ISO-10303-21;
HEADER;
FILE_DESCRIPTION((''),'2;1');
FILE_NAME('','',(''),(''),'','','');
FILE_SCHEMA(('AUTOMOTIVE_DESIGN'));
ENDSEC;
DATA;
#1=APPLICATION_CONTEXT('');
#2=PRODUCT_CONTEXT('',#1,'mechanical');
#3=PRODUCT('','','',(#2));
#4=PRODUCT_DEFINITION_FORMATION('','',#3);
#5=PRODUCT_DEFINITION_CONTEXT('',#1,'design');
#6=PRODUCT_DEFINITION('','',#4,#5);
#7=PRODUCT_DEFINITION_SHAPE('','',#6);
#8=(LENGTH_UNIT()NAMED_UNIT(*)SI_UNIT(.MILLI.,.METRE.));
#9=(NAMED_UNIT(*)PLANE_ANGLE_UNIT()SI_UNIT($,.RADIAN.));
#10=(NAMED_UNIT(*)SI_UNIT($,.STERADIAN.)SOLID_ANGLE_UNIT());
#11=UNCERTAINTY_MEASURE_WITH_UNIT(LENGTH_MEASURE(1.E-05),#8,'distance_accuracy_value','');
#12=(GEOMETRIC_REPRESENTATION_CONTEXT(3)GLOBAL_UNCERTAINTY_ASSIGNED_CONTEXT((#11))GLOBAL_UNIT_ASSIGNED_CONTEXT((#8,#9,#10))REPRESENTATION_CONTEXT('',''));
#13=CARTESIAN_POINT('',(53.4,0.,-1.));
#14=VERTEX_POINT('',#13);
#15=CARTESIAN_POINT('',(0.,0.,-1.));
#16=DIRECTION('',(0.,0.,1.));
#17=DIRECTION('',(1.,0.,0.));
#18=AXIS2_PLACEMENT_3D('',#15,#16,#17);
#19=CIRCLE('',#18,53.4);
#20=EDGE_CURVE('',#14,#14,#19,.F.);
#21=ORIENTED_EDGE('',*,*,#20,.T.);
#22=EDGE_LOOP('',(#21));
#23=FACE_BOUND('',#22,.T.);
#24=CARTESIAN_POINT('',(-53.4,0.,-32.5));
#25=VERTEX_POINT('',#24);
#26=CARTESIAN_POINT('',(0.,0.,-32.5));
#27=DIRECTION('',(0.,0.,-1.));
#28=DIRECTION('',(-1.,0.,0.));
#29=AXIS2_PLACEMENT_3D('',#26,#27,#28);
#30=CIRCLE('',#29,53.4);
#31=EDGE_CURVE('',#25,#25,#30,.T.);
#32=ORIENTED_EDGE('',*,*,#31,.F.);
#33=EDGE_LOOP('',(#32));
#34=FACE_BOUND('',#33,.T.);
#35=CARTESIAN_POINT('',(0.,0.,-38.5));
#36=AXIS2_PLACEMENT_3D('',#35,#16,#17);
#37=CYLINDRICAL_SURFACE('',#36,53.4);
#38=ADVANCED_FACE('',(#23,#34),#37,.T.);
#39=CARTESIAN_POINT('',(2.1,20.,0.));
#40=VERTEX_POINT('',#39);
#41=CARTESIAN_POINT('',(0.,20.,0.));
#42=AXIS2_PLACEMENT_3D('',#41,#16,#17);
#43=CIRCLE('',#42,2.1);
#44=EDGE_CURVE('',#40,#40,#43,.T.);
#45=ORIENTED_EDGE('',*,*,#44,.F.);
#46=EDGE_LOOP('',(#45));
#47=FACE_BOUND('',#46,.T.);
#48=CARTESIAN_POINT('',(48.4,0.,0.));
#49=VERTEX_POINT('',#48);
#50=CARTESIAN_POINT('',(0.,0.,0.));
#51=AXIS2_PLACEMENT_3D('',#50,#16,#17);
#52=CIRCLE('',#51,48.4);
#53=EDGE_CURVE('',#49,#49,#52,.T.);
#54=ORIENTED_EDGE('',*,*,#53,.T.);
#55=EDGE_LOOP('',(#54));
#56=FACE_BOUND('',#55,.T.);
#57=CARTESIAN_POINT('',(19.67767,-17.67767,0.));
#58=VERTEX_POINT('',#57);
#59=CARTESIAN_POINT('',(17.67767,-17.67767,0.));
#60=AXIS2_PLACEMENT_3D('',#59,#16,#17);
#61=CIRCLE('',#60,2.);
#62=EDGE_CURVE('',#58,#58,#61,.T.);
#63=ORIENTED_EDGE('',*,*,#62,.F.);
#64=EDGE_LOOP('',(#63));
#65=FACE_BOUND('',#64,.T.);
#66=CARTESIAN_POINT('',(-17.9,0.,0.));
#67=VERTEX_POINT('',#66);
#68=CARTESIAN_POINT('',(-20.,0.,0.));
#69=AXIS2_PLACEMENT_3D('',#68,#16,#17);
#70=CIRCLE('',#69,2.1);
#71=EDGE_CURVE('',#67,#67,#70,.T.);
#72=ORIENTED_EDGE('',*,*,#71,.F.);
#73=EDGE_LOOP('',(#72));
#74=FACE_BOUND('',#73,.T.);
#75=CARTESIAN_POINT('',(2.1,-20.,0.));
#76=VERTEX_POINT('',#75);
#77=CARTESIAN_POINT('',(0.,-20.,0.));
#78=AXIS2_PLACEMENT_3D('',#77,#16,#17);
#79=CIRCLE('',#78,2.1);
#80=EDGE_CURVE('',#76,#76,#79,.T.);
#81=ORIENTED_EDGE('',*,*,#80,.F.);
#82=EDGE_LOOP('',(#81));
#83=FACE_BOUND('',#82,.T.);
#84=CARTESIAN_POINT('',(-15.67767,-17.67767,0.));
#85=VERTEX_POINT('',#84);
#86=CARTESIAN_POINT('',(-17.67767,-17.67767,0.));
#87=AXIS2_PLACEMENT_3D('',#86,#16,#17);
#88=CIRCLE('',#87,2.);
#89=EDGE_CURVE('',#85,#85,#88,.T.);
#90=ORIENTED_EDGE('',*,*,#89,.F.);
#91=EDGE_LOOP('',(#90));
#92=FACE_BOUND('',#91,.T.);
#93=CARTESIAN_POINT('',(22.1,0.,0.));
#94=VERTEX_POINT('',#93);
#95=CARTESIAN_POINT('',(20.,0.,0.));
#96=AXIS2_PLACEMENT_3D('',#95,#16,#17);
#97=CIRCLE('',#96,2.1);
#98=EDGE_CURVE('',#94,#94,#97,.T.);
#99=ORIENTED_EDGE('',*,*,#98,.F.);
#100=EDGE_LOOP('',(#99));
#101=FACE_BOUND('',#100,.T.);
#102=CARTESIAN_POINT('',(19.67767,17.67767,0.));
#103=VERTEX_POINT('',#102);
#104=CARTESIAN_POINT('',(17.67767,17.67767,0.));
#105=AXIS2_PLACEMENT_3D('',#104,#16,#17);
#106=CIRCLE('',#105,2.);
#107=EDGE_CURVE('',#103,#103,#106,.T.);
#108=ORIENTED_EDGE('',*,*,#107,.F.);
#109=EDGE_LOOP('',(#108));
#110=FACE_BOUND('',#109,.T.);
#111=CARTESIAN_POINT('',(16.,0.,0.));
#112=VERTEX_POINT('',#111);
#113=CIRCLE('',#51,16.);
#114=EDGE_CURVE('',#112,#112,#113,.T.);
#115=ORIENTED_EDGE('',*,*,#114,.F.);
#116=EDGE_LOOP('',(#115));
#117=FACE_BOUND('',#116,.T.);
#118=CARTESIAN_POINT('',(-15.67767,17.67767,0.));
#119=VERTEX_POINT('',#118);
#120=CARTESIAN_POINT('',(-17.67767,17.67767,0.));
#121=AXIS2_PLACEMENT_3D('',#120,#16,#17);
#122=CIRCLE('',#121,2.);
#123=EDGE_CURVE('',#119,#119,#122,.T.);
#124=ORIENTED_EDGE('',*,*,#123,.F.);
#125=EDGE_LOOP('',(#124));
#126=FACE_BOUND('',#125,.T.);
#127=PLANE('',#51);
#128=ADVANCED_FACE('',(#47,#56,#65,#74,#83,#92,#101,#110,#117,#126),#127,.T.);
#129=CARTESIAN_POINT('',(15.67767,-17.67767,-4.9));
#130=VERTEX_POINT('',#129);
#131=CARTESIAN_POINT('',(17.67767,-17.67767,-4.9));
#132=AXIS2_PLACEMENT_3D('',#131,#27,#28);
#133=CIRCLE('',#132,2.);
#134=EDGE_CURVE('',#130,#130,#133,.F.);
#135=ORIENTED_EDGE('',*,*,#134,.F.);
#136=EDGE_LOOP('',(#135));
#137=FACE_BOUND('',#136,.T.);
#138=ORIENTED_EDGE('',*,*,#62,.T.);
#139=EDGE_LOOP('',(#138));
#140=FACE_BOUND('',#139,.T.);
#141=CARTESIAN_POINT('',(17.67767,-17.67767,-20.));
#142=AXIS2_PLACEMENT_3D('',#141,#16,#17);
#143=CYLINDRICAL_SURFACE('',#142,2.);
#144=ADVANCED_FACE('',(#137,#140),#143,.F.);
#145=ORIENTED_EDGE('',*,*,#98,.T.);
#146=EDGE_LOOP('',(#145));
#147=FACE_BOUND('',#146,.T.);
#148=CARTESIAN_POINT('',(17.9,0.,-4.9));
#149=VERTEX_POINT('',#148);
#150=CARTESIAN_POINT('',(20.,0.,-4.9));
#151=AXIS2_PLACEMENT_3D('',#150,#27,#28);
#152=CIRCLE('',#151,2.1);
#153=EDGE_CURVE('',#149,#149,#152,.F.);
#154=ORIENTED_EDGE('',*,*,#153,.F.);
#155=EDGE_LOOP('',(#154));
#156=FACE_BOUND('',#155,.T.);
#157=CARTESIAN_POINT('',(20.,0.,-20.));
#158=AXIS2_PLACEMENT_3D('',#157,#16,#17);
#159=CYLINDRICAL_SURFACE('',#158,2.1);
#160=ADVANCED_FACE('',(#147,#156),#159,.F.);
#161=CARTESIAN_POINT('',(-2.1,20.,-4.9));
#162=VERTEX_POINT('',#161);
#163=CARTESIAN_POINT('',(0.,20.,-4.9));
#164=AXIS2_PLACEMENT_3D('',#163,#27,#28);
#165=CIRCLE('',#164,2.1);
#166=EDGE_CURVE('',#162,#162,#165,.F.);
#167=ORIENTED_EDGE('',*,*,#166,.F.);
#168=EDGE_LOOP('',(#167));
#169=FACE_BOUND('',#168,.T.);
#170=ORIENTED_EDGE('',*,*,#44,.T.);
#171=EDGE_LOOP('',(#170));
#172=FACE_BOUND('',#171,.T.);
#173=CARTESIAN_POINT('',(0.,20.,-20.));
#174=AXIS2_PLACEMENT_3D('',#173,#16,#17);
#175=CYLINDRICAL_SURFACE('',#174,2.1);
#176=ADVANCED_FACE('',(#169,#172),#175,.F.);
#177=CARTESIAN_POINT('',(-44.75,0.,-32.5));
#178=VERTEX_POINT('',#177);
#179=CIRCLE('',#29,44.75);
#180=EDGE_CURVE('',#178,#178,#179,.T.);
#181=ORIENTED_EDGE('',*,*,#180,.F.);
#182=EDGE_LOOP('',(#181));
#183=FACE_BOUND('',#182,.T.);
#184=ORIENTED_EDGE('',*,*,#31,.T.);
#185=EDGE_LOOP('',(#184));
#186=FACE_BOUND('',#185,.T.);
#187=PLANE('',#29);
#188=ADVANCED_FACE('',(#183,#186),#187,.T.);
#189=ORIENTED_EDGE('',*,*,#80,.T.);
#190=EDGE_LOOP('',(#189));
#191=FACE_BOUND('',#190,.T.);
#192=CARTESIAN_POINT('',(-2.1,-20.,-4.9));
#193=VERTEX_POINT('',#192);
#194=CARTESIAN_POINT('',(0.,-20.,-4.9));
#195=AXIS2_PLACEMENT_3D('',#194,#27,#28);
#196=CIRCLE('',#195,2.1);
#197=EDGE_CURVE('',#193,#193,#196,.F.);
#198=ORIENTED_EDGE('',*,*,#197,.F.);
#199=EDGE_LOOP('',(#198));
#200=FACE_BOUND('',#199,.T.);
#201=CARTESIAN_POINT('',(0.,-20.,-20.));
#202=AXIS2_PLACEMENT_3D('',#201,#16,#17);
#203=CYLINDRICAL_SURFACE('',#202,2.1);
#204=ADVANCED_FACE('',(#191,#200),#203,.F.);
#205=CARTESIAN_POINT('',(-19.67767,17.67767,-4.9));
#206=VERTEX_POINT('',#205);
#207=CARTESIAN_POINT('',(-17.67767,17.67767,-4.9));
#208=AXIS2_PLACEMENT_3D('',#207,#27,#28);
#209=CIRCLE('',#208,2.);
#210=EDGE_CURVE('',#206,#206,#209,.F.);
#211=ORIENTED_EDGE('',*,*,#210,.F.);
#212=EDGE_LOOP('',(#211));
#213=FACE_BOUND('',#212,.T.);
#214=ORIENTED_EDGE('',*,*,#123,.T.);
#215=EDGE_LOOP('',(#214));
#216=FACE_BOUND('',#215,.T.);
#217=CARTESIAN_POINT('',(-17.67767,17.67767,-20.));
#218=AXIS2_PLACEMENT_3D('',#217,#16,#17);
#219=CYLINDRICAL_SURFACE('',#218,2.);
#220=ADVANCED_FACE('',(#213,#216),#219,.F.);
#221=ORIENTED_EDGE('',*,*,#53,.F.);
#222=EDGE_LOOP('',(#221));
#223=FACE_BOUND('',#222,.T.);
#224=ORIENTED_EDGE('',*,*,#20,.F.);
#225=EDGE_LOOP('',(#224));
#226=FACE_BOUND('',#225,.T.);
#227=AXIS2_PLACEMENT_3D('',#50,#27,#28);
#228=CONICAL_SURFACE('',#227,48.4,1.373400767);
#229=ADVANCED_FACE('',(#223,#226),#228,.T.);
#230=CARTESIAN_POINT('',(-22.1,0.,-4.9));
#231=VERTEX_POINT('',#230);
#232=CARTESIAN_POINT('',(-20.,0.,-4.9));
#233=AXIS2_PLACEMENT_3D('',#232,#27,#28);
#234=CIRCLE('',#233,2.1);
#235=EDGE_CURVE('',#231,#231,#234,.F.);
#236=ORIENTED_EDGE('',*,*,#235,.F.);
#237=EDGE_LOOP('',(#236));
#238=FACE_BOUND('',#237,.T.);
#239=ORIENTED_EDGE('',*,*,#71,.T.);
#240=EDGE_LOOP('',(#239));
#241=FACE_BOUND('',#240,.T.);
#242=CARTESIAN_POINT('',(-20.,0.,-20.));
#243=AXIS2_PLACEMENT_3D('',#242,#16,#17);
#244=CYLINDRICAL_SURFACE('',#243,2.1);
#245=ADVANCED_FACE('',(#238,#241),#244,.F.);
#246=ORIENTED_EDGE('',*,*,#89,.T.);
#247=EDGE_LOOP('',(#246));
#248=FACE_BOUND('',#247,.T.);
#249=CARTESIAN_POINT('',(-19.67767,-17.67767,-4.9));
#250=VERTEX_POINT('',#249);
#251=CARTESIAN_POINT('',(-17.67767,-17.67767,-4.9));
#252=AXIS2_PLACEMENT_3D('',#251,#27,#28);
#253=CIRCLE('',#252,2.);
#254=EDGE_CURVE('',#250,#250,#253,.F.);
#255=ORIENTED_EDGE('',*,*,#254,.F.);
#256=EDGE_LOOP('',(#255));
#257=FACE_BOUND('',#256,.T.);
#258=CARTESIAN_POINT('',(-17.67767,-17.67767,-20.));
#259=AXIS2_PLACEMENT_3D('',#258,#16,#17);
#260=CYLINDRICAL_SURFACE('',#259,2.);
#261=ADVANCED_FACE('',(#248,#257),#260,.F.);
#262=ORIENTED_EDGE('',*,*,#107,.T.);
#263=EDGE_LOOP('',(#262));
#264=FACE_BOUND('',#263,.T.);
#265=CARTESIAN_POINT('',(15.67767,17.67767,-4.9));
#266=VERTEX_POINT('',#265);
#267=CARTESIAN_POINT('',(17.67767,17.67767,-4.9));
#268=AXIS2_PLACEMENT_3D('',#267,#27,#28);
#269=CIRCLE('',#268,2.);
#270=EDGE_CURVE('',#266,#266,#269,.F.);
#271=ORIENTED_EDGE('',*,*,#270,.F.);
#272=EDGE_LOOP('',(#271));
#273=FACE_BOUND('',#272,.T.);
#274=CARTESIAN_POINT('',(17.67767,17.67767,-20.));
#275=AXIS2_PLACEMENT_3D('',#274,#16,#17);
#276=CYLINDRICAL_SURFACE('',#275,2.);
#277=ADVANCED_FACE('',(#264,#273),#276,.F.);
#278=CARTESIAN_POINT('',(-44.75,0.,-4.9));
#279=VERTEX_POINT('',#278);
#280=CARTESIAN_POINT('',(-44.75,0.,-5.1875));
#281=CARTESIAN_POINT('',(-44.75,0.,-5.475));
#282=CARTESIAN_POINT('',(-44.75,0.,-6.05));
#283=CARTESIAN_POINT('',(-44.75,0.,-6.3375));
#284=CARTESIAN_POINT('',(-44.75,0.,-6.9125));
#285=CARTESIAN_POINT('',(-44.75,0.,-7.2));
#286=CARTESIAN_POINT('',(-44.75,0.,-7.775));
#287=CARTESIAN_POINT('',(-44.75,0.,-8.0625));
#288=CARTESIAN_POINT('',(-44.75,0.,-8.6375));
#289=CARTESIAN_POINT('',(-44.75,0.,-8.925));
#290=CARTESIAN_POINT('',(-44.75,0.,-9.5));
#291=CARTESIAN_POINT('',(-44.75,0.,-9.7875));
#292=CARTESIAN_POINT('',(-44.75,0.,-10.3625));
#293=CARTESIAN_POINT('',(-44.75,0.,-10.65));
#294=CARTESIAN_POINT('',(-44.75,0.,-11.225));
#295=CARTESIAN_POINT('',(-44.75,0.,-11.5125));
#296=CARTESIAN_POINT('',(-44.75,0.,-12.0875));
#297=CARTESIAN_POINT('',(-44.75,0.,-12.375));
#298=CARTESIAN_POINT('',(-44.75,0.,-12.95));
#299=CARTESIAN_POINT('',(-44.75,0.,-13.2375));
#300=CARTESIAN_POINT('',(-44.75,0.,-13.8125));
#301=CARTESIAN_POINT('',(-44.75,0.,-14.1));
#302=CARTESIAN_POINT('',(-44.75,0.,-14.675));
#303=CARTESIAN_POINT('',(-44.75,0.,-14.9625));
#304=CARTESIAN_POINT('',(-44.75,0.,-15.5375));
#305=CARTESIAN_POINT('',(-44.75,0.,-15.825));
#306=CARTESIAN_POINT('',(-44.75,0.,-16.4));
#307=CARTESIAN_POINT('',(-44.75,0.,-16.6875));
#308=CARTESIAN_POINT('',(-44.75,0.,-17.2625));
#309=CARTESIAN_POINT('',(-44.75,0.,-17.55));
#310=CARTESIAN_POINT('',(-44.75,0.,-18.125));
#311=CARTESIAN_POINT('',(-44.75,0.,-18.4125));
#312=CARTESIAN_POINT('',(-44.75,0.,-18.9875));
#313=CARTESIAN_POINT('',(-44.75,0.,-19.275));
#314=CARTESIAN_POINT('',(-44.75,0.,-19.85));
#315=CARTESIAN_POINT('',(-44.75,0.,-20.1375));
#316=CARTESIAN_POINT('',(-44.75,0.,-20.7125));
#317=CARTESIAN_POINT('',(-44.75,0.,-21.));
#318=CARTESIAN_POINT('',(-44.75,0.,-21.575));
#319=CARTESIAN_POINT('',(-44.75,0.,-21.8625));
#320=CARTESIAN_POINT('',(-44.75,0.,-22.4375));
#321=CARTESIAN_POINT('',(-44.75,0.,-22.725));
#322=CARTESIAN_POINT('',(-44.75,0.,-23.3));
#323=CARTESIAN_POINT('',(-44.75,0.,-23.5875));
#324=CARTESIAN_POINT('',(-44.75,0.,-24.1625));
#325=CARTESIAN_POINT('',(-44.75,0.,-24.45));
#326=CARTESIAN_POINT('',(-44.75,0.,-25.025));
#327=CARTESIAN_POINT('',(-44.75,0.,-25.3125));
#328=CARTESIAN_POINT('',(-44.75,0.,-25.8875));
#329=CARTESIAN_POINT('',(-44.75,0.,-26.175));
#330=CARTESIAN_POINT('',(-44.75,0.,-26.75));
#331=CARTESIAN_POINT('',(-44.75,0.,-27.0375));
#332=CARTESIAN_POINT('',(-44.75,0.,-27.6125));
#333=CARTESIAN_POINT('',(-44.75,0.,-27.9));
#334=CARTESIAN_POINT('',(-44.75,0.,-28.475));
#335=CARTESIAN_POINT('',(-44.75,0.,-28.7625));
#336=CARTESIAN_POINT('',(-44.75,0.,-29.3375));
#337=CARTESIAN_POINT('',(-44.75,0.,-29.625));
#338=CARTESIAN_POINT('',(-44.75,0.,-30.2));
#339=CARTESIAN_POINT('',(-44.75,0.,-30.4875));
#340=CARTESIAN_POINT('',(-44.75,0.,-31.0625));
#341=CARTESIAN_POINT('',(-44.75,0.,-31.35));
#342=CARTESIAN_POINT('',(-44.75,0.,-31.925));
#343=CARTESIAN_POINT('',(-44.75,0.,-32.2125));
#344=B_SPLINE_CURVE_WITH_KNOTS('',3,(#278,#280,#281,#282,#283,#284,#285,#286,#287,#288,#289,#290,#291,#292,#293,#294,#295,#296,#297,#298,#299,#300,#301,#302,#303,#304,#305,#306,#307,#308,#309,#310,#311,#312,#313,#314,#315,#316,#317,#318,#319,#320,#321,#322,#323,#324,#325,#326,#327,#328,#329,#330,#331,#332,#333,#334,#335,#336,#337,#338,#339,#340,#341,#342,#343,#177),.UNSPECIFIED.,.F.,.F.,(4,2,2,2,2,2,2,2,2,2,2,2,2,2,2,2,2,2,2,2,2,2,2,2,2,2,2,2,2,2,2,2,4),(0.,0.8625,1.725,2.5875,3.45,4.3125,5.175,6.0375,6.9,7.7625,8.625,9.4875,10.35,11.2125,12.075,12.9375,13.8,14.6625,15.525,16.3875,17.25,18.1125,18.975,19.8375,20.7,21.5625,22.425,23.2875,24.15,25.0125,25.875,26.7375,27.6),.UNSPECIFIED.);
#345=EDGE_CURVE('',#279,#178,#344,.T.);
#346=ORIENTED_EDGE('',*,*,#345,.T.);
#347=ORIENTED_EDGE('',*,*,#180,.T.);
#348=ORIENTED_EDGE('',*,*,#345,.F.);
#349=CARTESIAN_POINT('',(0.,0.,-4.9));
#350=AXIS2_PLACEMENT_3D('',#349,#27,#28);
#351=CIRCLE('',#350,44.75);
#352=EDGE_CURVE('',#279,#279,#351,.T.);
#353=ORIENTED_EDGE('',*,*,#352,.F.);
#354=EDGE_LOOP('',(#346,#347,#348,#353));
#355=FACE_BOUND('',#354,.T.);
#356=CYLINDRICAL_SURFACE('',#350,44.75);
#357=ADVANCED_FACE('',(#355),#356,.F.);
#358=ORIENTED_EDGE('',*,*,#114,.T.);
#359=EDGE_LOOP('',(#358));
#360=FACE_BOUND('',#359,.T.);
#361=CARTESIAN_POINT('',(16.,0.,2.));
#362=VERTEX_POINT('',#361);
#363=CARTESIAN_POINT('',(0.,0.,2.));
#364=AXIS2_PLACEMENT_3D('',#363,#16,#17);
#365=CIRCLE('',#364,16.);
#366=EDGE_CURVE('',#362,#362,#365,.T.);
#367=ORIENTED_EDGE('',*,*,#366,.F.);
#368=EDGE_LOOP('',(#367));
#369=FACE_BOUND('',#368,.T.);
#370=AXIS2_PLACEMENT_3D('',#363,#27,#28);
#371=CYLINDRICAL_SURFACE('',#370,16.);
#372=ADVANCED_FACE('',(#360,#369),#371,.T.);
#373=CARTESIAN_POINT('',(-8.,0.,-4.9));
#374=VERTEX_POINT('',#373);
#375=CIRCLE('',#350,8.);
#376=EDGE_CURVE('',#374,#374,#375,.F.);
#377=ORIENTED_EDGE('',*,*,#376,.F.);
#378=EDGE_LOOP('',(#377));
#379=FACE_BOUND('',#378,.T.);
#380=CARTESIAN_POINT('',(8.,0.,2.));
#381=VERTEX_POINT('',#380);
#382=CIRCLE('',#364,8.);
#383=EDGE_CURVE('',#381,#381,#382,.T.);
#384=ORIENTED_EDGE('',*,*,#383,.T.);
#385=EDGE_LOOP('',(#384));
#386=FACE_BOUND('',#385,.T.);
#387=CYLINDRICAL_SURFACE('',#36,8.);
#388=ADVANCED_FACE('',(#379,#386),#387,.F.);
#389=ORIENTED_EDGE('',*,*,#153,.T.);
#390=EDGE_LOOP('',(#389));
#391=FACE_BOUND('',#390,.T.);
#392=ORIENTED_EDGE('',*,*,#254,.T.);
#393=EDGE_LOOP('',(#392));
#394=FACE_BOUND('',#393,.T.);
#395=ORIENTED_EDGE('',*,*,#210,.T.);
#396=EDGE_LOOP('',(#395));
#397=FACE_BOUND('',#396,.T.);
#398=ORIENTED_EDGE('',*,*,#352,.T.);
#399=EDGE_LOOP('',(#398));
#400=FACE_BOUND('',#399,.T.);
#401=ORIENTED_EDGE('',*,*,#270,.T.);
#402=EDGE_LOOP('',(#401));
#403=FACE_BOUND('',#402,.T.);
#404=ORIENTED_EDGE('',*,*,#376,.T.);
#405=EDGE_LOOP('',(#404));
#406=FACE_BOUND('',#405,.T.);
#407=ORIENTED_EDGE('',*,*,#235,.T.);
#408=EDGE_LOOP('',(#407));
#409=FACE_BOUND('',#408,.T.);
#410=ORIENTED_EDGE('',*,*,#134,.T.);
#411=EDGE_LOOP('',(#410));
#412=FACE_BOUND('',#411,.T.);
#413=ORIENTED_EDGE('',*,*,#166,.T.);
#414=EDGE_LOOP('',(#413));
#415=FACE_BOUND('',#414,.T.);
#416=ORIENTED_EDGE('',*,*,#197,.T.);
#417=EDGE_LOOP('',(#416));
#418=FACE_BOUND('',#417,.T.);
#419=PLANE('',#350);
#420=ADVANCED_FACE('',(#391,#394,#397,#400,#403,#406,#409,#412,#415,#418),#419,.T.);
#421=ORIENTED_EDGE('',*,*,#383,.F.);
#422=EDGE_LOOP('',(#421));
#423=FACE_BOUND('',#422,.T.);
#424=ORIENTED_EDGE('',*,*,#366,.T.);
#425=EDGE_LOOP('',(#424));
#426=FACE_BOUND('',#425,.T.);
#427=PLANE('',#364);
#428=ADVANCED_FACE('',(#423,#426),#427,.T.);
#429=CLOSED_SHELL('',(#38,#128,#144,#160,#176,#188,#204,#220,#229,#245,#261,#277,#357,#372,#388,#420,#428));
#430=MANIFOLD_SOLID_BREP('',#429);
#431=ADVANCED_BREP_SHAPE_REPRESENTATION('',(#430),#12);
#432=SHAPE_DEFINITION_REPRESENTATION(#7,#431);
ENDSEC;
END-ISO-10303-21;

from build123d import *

# Parameters (mm, degrees)
SKETCH3_R           = 53.4
BOSS_EXTRUDE1_DEPTH = 38.5
SKETCH4_R           = 8
CUT_EXTRUDE1_DEPTH  = 85.766561804
SKETCH5_R           = 2
CUT_EXTRUDE2_DEPTH  = 20
BOSS_EXTRUDE3_START = 2
SKETCH6_R           = 16
SKETCH6_R_2         = 8
BOSS_EXTRUDE3_DEPTH = 2
SKETCH7_R           = 2.1
CUT_EXTRUDE3_DEPTH  = 20
SKETCH8_R           = 2.5
CUT_EXTRUDE4_DEPTH  = 20
CHAMFER1_SIZE       = 1
CHAMFER1_SIZE2      = 5
CUT_EXTRUDE5_START  = -6
SKETCH9_R           = 53.4
CUT_EXTRUDE5_DEPTH  = 6
SKETCH10_R          = 44.75
CUT_EXTRUDE6_DEPTH  = 27.6


with BuildPart() as part:
    # Sketch3 → Boss-Extrude1 (new body)
    with BuildSketch(Plane.XY):
        Circle(SKETCH3_R)
    extrude(amount=-BOSS_EXTRUDE1_DEPTH)

    # Sketch4 → Cut-Extrude1 (cut, through all)
    with BuildSketch(Plane.XY):
        Circle(SKETCH4_R)
    extrude(amount=-CUT_EXTRUDE1_DEPTH, mode=Mode.SUBTRACT)

    # Sketch5 → Cut-Extrude2 (cut)
    with BuildSketch(Plane.XY):
        with Locations((-17.67766953, 17.67766953)):
            Circle(SKETCH5_R)
        with Locations((17.67766953, 17.67766953)):
            Circle(SKETCH5_R)
        with Locations((-17.67766953, -17.67766953)):
            Circle(SKETCH5_R)
        with Locations((17.67766953, -17.67766953)):
            Circle(SKETCH5_R)
    extrude(amount=-CUT_EXTRUDE2_DEPTH, mode=Mode.SUBTRACT)

    # Sketch6 → Boss-Extrude3 (add)
    with BuildSketch(Plane.XY.offset(BOSS_EXTRUDE3_START)):
        Circle(SKETCH6_R)
        Circle(SKETCH6_R_2, mode=Mode.SUBTRACT)
    extrude(amount=-BOSS_EXTRUDE3_DEPTH)

    # Sketch7 → Cut-Extrude3 (cut)
    with BuildSketch(Plane.XY):
        with Locations((0, 20)):
            Circle(SKETCH7_R)
        with Locations((20, 0)):
            Circle(SKETCH7_R)
        with Locations((-20, 0)):
            Circle(SKETCH7_R)
        with Locations((0, -20)):
            Circle(SKETCH7_R)
    extrude(amount=-CUT_EXTRUDE3_DEPTH, mode=Mode.SUBTRACT)

    # Sketch8 → Cut-Extrude4 (cut)
    with BuildSketch(Plane(origin=(0, 0, -38.5), x_dir=(-1, 0, 0), z_dir=(0, 0, -1))):
        with Locations((0, 30)):
            Circle(SKETCH8_R)
        with Locations((30, 0)):
            Circle(SKETCH8_R)
        with Locations((0, -30)):
            Circle(SKETCH8_R)
        with Locations((-30, 0)):
            Circle(SKETCH8_R)
    extrude(amount=-CUT_EXTRUDE4_DEPTH, mode=Mode.SUBTRACT)

    # Chamfer1
    chamfer1_edges = [part.edges().sort_by_distance(p)[0] for p in [
        (-53.4, 0, 0),
    ]]
    chamfer1_side = [part.faces().sort_by_distance(p)[0] for p in [
        (-53.4, 0, -19.25),
    ]]
    chamfer(chamfer1_edges, length=CHAMFER1_SIZE, length2=CHAMFER1_SIZE2, reference=chamfer1_side[0])

    # Sketch9 → Cut-Extrude5 (cut)
    with BuildSketch(Plane(origin=(0, 0, -38.5), x_dir=(-1, 0, 0), z_dir=(0, 0, -1)).offset(CUT_EXTRUDE5_START)):
        with Locations(Location((0, 0, 0), (0, 0, 180))):
            Circle(SKETCH9_R)
    extrude(amount=CUT_EXTRUDE5_DEPTH, mode=Mode.SUBTRACT)

    # Sketch10 → Cut-Extrude6 (cut)
    with BuildSketch(Plane(origin=(0, 0, -32.5), x_dir=(-1, 0, 0), z_dir=(0, 0, -1))):
        Circle(SKETCH10_R)
    extrude(amount=-CUT_EXTRUDE6_DEPTH, mode=Mode.SUBTRACT)


solid = part.part
